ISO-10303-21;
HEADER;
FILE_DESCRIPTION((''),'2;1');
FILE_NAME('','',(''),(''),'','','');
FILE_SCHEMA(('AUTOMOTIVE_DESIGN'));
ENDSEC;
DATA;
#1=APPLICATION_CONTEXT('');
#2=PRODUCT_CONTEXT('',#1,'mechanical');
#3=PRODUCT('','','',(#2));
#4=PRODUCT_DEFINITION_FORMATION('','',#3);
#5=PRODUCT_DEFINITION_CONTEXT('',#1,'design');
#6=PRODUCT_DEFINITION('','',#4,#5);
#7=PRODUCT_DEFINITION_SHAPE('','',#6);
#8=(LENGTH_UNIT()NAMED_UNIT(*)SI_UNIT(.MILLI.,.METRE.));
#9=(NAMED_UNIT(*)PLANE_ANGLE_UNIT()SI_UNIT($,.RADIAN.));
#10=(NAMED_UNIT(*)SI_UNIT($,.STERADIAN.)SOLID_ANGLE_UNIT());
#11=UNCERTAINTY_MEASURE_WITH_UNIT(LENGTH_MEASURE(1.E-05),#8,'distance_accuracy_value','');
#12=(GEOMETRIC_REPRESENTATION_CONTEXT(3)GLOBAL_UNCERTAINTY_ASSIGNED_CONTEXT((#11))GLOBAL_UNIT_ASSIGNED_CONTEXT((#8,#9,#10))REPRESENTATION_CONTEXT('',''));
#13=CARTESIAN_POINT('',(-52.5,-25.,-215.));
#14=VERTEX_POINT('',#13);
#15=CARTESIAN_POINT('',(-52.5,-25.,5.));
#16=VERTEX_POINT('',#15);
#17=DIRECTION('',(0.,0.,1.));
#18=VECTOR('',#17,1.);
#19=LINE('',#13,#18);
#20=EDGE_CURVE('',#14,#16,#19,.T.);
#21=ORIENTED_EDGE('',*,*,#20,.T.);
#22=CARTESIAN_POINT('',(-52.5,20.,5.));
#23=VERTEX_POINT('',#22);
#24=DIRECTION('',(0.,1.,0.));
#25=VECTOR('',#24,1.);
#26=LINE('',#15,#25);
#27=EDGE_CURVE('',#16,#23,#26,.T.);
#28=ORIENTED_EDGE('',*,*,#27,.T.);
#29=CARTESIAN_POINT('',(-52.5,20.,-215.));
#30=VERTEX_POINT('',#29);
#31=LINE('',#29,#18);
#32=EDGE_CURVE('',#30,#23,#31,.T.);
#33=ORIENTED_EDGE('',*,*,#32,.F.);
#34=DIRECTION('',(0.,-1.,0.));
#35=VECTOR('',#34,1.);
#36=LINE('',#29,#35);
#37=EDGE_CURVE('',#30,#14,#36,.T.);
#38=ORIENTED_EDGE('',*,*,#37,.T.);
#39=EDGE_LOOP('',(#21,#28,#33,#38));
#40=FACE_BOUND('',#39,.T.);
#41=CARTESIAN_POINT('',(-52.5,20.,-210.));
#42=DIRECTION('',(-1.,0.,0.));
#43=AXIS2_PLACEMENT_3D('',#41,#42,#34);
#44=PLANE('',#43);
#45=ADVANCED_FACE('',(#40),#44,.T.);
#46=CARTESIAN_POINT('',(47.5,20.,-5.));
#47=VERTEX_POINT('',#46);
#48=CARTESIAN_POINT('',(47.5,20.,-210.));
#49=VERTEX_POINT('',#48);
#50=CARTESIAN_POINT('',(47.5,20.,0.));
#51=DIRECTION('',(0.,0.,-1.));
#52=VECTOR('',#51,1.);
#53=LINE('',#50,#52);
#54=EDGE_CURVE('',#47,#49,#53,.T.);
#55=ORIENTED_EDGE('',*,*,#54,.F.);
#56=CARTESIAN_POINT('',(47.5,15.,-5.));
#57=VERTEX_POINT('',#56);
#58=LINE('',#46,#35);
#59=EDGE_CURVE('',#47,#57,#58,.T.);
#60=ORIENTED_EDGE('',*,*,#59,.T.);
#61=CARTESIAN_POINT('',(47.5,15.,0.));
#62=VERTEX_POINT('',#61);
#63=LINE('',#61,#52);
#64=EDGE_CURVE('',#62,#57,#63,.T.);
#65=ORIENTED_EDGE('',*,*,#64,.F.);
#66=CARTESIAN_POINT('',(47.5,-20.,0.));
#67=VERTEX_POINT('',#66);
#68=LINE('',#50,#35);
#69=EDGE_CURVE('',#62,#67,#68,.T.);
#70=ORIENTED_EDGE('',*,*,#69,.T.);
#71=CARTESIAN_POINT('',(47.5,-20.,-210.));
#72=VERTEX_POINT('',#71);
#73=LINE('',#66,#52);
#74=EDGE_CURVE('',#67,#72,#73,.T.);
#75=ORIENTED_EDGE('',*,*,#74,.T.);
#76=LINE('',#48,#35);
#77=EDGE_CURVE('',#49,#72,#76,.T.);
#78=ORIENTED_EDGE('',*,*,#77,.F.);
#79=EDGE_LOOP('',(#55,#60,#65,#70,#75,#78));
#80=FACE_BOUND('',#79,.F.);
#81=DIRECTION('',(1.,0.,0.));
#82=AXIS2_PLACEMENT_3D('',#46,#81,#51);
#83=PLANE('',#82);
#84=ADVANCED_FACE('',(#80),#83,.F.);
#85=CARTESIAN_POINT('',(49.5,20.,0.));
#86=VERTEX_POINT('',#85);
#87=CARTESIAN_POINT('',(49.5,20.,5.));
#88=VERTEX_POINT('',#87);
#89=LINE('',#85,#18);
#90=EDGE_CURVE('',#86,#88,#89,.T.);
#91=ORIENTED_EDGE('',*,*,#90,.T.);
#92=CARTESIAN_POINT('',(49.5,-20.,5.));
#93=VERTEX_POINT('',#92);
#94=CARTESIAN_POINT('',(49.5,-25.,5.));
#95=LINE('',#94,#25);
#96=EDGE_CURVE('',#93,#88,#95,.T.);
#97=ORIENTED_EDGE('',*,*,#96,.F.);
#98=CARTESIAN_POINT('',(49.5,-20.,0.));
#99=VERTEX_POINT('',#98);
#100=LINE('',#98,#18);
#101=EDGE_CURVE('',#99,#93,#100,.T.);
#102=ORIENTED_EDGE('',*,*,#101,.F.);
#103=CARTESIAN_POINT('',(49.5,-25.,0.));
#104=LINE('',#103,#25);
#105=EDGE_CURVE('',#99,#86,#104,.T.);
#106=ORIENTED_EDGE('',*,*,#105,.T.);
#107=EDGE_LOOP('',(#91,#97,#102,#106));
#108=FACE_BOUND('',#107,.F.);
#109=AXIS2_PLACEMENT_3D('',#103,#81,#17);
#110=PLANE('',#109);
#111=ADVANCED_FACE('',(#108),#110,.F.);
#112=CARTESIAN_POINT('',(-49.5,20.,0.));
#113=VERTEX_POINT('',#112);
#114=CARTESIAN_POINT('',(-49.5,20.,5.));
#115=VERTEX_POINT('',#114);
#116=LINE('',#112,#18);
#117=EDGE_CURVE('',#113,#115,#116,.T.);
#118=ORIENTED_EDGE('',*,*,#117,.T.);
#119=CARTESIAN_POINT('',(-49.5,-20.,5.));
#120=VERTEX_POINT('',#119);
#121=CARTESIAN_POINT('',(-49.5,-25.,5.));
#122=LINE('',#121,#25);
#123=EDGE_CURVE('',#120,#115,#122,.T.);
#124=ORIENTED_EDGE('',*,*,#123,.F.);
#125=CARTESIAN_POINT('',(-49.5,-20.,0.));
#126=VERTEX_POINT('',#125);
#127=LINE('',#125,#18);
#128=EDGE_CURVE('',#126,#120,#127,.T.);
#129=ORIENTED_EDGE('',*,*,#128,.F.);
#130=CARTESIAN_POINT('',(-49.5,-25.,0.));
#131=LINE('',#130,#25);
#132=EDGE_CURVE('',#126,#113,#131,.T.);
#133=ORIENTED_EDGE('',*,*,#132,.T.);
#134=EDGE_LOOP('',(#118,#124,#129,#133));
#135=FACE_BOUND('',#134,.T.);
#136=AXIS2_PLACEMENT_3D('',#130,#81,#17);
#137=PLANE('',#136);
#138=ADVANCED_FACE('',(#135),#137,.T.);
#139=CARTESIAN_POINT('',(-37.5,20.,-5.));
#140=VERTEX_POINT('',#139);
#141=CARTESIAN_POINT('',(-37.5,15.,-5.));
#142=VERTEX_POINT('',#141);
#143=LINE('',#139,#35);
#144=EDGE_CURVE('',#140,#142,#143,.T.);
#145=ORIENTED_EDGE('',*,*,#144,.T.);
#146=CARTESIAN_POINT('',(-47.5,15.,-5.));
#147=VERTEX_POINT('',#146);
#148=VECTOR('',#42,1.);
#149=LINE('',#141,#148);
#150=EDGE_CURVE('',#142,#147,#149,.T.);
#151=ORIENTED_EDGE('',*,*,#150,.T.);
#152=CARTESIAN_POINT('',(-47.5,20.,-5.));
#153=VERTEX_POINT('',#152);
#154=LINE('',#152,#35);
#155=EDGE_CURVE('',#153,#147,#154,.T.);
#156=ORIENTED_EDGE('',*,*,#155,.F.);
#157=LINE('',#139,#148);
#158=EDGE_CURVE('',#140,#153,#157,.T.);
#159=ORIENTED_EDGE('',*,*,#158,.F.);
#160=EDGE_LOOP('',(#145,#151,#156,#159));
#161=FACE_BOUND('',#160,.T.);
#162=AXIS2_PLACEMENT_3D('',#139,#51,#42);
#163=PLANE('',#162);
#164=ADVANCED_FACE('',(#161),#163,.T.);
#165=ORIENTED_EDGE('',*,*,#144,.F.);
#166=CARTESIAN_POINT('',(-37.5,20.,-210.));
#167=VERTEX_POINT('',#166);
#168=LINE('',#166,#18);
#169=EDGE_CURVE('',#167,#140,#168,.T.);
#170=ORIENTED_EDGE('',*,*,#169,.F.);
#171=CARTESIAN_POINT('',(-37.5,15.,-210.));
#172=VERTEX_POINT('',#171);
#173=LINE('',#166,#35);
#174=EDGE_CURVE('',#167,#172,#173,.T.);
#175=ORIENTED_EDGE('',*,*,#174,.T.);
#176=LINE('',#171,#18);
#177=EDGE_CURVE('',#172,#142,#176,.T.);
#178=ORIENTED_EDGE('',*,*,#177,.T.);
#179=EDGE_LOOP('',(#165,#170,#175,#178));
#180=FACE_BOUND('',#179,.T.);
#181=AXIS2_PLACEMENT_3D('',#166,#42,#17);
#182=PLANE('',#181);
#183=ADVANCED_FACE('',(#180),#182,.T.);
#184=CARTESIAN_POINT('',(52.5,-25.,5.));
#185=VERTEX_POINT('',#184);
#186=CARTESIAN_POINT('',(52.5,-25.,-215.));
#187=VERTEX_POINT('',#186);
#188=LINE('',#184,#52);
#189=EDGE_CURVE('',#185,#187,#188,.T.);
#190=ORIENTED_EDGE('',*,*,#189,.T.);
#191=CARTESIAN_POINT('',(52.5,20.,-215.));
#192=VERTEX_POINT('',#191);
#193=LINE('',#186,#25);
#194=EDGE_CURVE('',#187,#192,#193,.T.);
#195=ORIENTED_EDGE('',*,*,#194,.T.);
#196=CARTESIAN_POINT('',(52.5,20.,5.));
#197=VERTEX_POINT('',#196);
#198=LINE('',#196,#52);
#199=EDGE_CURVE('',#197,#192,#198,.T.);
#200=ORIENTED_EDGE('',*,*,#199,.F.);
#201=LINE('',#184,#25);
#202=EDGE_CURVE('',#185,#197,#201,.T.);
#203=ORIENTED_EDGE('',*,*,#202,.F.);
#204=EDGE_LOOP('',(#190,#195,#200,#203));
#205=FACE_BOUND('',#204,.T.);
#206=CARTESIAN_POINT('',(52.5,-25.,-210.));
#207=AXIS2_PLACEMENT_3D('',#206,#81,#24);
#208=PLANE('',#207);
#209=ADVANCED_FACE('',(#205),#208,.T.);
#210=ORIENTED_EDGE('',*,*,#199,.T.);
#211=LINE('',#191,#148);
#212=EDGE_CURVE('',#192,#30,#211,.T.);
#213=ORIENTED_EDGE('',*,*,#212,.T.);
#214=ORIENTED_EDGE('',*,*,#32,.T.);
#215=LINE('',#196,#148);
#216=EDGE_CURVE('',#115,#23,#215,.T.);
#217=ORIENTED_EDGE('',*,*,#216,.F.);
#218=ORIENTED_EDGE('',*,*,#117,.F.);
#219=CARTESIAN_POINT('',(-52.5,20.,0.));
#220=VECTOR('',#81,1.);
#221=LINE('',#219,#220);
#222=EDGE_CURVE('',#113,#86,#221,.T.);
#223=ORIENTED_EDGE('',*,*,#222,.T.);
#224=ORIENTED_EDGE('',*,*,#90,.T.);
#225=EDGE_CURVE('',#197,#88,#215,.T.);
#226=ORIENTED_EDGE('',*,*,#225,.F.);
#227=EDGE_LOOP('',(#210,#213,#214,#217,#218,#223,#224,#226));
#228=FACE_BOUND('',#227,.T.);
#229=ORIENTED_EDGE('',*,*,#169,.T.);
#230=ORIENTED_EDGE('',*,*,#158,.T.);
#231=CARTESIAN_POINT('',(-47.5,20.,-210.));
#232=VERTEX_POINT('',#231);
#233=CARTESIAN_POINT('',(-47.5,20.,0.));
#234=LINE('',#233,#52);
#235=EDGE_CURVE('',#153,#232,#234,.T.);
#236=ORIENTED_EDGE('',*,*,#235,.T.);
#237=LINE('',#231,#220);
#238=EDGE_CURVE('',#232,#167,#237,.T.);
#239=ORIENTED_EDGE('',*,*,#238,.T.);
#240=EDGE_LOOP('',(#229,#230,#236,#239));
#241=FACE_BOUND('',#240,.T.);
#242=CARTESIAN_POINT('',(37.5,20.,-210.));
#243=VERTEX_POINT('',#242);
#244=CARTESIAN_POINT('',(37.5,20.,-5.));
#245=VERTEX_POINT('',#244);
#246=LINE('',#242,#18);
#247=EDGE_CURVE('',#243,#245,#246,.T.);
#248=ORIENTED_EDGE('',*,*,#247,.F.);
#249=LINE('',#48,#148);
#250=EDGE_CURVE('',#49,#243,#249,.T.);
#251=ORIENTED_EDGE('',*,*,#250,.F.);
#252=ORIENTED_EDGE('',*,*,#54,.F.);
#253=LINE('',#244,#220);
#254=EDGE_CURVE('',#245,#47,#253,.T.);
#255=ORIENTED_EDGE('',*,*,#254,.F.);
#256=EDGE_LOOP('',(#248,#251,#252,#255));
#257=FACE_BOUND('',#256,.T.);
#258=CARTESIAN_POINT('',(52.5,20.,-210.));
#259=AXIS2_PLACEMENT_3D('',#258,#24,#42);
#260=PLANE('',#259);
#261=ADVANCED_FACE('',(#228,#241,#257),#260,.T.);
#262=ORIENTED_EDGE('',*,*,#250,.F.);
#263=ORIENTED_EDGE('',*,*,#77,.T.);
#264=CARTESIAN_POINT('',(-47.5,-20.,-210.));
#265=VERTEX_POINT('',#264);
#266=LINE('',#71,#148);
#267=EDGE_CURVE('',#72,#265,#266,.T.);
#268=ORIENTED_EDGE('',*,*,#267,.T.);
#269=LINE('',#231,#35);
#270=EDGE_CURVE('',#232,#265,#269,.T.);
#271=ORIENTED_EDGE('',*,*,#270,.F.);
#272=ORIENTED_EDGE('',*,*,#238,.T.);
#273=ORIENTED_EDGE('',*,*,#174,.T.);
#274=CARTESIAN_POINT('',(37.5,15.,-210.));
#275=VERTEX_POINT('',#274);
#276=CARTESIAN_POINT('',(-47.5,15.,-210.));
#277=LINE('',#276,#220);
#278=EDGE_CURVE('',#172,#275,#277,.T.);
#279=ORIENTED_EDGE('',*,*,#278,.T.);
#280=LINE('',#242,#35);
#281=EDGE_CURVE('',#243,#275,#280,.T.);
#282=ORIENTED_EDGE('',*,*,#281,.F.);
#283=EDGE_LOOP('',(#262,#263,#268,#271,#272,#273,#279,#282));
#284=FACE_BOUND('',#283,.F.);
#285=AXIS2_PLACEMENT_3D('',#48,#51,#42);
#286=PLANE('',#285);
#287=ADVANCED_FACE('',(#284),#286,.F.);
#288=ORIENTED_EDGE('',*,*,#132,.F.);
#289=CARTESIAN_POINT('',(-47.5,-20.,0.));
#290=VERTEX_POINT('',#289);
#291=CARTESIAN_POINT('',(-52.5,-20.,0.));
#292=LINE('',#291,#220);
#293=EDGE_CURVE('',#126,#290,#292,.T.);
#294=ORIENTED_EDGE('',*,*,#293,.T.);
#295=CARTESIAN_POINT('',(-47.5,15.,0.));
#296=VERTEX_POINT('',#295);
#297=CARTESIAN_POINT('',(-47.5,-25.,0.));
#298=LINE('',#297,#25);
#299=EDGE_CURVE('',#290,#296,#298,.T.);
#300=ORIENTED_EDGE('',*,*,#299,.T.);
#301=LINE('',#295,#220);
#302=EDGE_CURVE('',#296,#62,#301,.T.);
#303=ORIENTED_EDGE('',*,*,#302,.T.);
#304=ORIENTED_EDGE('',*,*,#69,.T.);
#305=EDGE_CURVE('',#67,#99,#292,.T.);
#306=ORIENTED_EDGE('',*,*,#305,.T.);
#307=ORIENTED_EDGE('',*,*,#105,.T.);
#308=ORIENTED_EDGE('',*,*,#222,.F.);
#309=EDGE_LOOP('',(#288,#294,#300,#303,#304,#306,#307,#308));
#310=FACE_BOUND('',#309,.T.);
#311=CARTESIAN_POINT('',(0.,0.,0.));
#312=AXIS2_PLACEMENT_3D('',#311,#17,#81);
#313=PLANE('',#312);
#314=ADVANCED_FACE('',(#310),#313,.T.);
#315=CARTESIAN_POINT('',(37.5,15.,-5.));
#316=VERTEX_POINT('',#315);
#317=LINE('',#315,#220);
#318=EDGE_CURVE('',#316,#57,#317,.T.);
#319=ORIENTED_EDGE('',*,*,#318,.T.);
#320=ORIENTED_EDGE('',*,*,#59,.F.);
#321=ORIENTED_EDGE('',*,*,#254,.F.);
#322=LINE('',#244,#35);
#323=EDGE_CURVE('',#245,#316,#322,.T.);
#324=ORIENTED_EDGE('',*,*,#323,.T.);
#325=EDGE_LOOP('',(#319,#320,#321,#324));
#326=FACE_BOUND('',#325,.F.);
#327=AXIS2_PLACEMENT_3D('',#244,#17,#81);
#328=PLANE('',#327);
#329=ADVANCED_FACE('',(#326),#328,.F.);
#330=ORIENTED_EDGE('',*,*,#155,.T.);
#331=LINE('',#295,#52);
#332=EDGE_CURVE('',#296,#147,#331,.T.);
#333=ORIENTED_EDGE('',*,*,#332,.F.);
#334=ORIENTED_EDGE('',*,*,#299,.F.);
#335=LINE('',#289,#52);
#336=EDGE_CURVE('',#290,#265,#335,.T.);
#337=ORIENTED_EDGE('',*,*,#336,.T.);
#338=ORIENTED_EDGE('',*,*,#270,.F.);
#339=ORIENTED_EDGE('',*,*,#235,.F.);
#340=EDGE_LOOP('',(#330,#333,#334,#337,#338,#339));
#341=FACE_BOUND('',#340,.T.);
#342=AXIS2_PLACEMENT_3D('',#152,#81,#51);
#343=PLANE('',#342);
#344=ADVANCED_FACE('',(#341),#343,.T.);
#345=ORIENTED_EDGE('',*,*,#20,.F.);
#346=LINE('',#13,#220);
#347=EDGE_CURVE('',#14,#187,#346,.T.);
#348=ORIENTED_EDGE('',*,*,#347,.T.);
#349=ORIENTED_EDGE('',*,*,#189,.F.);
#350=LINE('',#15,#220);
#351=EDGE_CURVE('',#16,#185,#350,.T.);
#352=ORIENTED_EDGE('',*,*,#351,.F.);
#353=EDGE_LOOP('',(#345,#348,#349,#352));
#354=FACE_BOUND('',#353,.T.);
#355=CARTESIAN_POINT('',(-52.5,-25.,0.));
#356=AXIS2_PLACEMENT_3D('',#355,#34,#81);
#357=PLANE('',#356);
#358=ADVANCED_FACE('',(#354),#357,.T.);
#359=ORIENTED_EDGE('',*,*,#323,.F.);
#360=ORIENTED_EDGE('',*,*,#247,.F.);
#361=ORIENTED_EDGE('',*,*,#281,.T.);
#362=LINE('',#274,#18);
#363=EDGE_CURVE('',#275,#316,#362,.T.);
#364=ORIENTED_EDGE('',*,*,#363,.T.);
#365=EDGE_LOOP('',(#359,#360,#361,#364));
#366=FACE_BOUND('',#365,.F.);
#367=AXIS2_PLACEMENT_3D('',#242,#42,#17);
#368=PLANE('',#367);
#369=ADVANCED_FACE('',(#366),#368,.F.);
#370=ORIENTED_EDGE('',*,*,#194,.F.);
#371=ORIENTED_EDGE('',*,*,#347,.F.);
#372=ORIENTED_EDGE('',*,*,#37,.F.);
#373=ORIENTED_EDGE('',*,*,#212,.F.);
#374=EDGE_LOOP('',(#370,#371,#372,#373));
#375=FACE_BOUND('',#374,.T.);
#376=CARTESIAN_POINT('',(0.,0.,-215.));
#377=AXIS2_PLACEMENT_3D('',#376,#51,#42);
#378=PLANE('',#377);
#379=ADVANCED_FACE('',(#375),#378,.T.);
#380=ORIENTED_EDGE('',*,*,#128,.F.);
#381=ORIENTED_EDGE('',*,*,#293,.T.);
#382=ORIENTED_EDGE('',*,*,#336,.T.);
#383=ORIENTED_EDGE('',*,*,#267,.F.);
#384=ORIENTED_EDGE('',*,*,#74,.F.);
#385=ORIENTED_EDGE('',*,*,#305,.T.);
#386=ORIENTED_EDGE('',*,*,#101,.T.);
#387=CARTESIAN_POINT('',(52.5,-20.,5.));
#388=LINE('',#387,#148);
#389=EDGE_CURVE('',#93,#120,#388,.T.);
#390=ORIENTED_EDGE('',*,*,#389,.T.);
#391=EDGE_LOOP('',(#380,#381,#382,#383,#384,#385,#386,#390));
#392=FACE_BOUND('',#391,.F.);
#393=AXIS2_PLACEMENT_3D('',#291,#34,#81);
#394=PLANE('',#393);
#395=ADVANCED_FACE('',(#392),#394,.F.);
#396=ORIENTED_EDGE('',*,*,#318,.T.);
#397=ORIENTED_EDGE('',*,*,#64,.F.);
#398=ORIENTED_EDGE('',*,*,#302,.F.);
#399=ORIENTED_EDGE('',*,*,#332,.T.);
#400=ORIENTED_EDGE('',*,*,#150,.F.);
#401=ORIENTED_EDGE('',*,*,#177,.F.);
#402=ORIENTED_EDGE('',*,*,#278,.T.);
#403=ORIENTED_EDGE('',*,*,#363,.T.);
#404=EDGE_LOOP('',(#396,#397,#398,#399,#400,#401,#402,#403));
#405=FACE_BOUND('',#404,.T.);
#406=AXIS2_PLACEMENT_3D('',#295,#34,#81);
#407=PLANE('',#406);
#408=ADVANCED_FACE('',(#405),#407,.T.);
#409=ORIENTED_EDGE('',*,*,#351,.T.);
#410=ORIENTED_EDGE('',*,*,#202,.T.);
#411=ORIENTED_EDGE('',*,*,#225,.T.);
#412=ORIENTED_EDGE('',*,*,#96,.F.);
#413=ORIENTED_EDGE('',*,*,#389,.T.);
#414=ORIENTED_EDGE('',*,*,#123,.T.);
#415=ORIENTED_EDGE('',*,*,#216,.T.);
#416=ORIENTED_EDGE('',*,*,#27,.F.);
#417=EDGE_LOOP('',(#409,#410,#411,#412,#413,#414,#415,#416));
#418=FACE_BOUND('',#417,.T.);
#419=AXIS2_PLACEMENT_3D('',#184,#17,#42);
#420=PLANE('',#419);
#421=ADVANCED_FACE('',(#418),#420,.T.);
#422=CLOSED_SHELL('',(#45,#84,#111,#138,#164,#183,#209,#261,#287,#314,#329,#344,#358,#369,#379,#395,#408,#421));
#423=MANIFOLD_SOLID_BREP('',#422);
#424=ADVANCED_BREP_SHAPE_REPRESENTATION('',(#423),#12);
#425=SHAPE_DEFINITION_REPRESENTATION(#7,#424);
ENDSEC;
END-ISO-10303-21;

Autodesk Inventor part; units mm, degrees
ref_plane "YZ Plane" through (0, 0, 0) normal (1, 0, 0) x (0, 1, 0)
ref_plane "XZ Plane" through (0, 0, 0) normal (0, 1, 0) x (-1, 0, 0)
ref_plane "XY Plane" through (0, 0, 0) normal (0, 0, 1) x (1, 0, 0)
sketch "Sketch2" plane through (0, 0, 0) normal (0, 0, 1) x (1, 0, 0)
  line L0 (-47.5, 20) -> (47.5, 20)
  line L1 (47.5, 20) -> (47.5, -25)
  line L2 (47.5, -25) -> (-47.5, -25)
  line L3 (-47.5, -25) -> (-47.5, 20)
  line L4 (-52.5, 20) -> (52.5, 20)
  line L5 (52.5, 20) -> (52.5, -25)
  line L6 (52.5, -25) -> (-52.5, -25)
  line L7 (-52.5, -25) -> (-52.5, 20)
  line L8 (-47.5, 15) -> (47.5, 15)
  line L9 (47.5, 15) -> (47.5, -20)
  line L10 (47.5, -20) -> (-47.5, -20)
  line L11 (-47.5, -20) -> (-47.5, 15)
  point P0 (0, 0)
  dimension "d4" = 95
  dimension "d5" = 45
  dimension "d6" = 47.5
  dimension "d7" = 20
  dimension "d8" = 5
  dimension "d9" = 5
  dimension "d10" = 5
  dimension "d11" = 5
  dimension "d12" = 45
  dimension "d13" = 5
extrude "Extrusion1" add sketch "Sketch2" against normal blind 210 contours L0 L1 L8 L3 | L3 L6 L7 L4 | L4 L5 L6 L1 | L10 L1 L2 L3
sketch "Sketch3" plane through (0, 0, -210) normal (0, 0, -1) x (-1, 0, 0)
  point P0 (0, 0)
sketch "Sketch4" plane through (0, 0, -210) normal (0, 0, -1) x (-1, 0, 0)
  line L0 (-52.5, -25) -> (-52.5, 20) projected
  line L1 (52.5, -25) -> (-52.5, -25) projected
  line L2 (-52.5, 20) -> (52.5, 20)
  line L3 (52.5, 20) -> (52.5, -25)
  line L4 (52.5, -25) -> (-52.5, -25)
  line L5 (-52.5, -25) -> (-52.5, 20)
  point P0 (0, 0)
extrude "Extrusion2" add sketch "Sketch4" along normal blind 5
sketch "Sketch8" plane through (-52.5, 20, -215) normal (0, 1, 0) x (1, 0, 0)
  line L0 (5, -215) -> (5, -5) projected
  line L1 (5, -5) -> (15, -5)
  line L2 (15, -5) -> (15, -210)
  line L3 (15, -210) -> (5, -210)
  line L4 (5, -210) -> (5, -5)
  line L5 (100, -215) -> (100, -5) projected
  line L6 (100, -5) -> (90, -5)
  line L7 (90, -5) -> (90, -210)
  line L8 (90, -210) -> (100, -210)
  line L9 (100, -210) -> (100, -5)
  point P0 (52.5, -215)
  point P1 (100, -210)
  dimension "d33" = 10
  dimension "d34" = 205
  dimension "d35" = 10
extrude "Extrusion6" cut sketch "Sketch8" against normal blind 5
sketch "Sketch11" plane through (-52.5, -25, 0) normal (0, -1, 0) x (1, 0, 0)
  line L0 (0, 0) -> (0, -215) projected
  line L1 (0, 0) -> (105, 0)
  line L2 (105, 0) -> (105, 5)
  line L3 (105, 5) -> (0, 5)
  line L4 (0, 5) -> (0, 0)
  line L5 (0, 0) -> (105, 0) projected
  line L6 (0, 0) -> (3, 0)
  line L7 (3, 0) -> (3, 5)
  line L8 (3, 5) -> (0, 5)
  line L9 (0, 5) -> (0, 0)
  line L10 (105, 0) -> (102, 0)
  line L11 (102, 0) -> (102, 5)
  line L12 (102, 5) -> (105, 5)
  line L13 (105, 5) -> (105, 0)
  point P0 (52.5, 0)
  point P1 (3, 0)
  dimension "d48" = 5
  dimension "d49" = 3
  dimension "d50" = 3
extrude "Extrusion9" add sketch "Sketch11" against normal blind 5 contours L7 L3 L11 L1
extrude "Extrusion10" add sketch "Sketch11" against normal blind 45 contours L4 L3 L7 L1 | L11 L3 L2 L1
properties part number "Team29_PiBox"
